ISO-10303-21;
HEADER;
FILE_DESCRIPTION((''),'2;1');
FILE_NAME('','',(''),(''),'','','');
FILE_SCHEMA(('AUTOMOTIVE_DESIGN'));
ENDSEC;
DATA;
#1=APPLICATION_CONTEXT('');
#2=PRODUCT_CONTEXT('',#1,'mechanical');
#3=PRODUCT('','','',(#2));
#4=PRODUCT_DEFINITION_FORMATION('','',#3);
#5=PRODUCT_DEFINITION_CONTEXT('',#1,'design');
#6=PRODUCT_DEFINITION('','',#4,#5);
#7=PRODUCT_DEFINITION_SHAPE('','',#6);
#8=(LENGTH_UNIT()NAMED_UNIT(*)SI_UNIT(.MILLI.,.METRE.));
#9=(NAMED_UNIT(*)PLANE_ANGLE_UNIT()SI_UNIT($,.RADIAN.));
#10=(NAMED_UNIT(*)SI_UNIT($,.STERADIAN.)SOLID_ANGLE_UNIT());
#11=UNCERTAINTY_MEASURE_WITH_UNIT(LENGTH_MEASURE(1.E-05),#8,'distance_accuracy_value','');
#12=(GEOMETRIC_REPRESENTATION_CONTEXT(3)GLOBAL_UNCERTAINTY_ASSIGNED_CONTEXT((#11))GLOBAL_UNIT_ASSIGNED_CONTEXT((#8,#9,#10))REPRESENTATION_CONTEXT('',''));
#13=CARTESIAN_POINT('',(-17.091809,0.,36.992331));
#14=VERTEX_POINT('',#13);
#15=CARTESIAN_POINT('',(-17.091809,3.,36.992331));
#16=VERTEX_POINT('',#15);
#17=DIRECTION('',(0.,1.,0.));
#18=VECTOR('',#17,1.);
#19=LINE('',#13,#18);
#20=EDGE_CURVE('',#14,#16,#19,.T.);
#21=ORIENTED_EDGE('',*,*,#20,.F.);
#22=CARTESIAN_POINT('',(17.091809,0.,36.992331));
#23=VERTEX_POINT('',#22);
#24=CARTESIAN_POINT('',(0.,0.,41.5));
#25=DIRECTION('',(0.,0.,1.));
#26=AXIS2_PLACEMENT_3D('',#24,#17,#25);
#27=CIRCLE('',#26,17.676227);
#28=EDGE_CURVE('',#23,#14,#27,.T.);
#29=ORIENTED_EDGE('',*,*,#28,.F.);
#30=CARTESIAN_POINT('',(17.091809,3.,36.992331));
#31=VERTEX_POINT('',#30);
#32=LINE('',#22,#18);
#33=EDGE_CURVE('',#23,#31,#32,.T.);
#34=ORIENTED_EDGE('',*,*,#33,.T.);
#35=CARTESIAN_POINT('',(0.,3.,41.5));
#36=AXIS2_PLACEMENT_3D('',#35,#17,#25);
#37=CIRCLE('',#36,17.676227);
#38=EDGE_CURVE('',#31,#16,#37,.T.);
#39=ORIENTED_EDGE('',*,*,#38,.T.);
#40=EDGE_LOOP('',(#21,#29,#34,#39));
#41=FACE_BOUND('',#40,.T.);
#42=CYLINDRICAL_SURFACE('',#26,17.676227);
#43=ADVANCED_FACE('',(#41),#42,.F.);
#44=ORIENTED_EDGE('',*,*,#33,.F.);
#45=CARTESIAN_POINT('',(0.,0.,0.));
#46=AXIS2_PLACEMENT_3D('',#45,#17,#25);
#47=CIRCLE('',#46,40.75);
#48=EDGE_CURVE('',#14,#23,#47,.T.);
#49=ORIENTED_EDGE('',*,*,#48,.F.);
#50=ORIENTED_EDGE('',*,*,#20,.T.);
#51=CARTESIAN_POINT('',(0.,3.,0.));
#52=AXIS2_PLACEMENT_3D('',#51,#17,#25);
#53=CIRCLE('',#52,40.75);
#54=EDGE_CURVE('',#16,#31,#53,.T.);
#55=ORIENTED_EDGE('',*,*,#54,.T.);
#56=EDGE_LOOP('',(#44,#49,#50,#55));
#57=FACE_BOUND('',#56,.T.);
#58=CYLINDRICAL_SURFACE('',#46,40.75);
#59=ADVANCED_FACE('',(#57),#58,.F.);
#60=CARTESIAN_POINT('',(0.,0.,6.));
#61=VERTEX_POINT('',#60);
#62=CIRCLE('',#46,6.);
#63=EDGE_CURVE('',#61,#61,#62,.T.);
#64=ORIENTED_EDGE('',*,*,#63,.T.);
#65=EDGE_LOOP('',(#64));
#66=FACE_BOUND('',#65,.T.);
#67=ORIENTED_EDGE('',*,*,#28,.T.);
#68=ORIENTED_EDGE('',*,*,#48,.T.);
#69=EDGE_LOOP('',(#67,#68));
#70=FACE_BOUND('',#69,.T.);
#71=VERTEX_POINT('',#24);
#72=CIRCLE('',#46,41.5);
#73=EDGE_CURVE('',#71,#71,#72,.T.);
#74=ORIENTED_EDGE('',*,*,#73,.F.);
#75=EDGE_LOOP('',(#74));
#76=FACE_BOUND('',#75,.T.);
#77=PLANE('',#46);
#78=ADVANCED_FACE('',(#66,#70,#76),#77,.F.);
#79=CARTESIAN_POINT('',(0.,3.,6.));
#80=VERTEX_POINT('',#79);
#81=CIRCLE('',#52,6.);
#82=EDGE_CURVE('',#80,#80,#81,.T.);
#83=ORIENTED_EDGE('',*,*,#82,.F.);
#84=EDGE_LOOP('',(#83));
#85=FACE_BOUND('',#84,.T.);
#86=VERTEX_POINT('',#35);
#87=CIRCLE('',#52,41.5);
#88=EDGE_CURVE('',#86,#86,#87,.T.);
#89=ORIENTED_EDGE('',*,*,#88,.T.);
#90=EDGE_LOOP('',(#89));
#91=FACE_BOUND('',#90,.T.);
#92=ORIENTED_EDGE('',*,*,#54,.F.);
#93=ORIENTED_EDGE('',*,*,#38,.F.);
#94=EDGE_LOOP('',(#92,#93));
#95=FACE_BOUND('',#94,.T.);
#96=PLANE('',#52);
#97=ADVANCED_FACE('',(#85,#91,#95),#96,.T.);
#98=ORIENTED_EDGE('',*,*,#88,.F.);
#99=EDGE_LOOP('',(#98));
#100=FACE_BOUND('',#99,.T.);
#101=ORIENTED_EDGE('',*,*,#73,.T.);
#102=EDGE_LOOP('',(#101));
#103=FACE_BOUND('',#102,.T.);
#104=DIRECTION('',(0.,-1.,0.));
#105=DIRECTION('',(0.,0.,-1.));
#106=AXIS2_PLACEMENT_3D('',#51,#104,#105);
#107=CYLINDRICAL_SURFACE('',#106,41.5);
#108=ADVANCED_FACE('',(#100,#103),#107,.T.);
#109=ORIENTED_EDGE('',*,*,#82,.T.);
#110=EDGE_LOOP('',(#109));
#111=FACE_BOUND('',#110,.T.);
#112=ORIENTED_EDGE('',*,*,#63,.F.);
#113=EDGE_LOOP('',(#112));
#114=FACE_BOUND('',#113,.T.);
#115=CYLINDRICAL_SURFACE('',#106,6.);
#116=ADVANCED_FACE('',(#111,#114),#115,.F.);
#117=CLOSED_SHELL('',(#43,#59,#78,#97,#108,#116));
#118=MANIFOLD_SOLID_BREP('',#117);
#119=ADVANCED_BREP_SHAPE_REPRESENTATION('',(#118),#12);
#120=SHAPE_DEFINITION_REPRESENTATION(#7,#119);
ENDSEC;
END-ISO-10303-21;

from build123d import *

# Parameters (mm, degrees)
SKETCH1_R           = 41.5
SKETCH1_R_2         = 6
BOSS_EXTRUDE1_DEPTH = 3
CUT_EXTRUDE1_DEPTH  = 3


with BuildPart() as part:
    # Sketch1 → Boss-Extrude1 (new body)
    with BuildSketch(Plane(origin=(0, 0, 0), x_dir=(1, 0, 0), z_dir=(0, 1, 0))):
        with Locations(Location((0, 0, 0), (0, 0, 270))):  # turned: the seam where the file's is
            Circle(SKETCH1_R)
        with Locations(Location((0, 0, 0), (0, 0, 270))):  # turned: the seam where the file's is
            Circle(SKETCH1_R_2, mode=Mode.SUBTRACT)
    extrude(amount=BOSS_EXTRUDE1_DEPTH)

    # Sketch2 → Cut-Extrude1 (cut)
    with BuildSketch(Plane(origin=(0, 3, 0), x_dir=(1, 0, 0), z_dir=(0, 1, 0))):
        with BuildLine():
            ThreePointArc((17.091808736, -36.992331288), (0, -23.82377294), (-17.091808736, -36.992331288))
            ThreePointArc((-17.091808736, -36.992331288), (0, -40.75), (17.091808736, -36.992331288))
        make_face()
    extrude(amount=-CUT_EXTRUDE1_DEPTH, mode=Mode.SUBTRACT)


solid = part.part
